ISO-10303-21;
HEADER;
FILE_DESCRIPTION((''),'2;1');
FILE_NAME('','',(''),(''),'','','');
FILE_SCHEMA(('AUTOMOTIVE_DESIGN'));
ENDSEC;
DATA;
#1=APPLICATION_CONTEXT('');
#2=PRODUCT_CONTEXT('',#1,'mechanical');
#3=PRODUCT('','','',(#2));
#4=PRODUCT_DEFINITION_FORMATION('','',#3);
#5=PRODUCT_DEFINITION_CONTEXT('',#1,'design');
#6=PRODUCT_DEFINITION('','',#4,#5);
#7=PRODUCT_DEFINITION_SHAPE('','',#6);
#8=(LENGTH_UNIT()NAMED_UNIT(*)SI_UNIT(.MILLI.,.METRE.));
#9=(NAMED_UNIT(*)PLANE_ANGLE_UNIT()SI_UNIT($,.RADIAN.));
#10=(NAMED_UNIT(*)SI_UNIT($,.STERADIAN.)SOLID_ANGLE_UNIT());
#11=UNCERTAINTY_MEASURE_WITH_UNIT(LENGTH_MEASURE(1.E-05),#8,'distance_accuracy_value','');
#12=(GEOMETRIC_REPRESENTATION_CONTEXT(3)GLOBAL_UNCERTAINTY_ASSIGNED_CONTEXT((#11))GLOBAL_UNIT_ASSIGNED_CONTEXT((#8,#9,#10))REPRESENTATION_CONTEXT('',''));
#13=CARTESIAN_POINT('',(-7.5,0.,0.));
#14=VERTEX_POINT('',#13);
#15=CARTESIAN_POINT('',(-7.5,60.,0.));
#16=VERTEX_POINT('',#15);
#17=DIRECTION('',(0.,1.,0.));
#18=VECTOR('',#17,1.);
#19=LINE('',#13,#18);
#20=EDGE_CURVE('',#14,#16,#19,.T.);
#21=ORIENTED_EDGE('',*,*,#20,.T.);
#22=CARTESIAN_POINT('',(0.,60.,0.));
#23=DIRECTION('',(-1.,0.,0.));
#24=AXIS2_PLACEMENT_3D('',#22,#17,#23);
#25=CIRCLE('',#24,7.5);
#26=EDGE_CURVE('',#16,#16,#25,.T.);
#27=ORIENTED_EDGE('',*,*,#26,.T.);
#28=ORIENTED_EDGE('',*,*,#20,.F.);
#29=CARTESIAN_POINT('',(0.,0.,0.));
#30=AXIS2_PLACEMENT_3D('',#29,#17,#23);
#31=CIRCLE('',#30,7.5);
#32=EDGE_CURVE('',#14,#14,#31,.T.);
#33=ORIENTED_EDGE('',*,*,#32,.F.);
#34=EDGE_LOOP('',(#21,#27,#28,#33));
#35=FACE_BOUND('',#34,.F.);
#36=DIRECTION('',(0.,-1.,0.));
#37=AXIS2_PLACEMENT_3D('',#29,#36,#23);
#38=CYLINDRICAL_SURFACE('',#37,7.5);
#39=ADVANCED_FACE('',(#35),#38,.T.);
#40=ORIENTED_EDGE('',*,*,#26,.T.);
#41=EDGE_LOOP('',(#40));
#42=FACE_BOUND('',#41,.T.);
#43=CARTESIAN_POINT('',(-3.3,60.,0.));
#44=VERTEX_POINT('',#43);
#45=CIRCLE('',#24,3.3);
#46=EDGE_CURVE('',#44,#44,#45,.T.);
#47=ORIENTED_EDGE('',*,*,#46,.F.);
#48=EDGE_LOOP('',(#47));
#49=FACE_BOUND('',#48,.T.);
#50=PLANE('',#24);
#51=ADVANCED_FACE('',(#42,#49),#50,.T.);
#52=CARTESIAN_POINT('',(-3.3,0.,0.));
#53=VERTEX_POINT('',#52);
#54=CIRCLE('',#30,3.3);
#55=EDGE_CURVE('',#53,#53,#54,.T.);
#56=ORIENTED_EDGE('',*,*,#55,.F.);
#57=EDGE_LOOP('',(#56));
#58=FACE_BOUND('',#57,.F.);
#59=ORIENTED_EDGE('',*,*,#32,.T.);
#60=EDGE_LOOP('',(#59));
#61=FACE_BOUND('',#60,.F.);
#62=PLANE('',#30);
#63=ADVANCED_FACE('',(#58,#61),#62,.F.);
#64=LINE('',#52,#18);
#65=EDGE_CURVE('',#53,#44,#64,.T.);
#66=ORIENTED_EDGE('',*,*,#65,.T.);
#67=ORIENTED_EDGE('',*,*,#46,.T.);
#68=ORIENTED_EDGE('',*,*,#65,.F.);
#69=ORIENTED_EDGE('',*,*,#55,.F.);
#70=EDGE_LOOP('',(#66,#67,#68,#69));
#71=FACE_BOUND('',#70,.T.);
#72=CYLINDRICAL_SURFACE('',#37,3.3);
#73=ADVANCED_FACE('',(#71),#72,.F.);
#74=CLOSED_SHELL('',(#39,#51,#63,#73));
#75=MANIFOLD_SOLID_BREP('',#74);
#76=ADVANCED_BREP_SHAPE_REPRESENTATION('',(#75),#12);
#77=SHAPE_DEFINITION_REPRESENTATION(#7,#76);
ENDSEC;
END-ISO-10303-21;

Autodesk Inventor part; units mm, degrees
ref_plane "YZ Plane" through (0, 0, 0) normal (1, 0, 0) x (0, 1, 0)
ref_plane "XZ Plane" through (0, 0, 0) normal (0, 1, 0) x (-1, 0, 0)
ref_plane "XY Plane" through (0, 0, 0) normal (0, 0, 1) x (1, 0, 0)
sketch "スケッチ1" plane through (0, 0, 0) normal (0, 1, 0) x (-1, 0, 0)
  circle A0 centre (0, 0) radius 3.3
  circle A1 centre (0, 0) radius 7.5
  dimension "d0" = 6.6
  dimension "d1" = 15
extrude "押し出し1" add sketch "スケッチ1" along normal blind 60
properties part number "shoulder1_uppper_plate_bolt_spcaer"
